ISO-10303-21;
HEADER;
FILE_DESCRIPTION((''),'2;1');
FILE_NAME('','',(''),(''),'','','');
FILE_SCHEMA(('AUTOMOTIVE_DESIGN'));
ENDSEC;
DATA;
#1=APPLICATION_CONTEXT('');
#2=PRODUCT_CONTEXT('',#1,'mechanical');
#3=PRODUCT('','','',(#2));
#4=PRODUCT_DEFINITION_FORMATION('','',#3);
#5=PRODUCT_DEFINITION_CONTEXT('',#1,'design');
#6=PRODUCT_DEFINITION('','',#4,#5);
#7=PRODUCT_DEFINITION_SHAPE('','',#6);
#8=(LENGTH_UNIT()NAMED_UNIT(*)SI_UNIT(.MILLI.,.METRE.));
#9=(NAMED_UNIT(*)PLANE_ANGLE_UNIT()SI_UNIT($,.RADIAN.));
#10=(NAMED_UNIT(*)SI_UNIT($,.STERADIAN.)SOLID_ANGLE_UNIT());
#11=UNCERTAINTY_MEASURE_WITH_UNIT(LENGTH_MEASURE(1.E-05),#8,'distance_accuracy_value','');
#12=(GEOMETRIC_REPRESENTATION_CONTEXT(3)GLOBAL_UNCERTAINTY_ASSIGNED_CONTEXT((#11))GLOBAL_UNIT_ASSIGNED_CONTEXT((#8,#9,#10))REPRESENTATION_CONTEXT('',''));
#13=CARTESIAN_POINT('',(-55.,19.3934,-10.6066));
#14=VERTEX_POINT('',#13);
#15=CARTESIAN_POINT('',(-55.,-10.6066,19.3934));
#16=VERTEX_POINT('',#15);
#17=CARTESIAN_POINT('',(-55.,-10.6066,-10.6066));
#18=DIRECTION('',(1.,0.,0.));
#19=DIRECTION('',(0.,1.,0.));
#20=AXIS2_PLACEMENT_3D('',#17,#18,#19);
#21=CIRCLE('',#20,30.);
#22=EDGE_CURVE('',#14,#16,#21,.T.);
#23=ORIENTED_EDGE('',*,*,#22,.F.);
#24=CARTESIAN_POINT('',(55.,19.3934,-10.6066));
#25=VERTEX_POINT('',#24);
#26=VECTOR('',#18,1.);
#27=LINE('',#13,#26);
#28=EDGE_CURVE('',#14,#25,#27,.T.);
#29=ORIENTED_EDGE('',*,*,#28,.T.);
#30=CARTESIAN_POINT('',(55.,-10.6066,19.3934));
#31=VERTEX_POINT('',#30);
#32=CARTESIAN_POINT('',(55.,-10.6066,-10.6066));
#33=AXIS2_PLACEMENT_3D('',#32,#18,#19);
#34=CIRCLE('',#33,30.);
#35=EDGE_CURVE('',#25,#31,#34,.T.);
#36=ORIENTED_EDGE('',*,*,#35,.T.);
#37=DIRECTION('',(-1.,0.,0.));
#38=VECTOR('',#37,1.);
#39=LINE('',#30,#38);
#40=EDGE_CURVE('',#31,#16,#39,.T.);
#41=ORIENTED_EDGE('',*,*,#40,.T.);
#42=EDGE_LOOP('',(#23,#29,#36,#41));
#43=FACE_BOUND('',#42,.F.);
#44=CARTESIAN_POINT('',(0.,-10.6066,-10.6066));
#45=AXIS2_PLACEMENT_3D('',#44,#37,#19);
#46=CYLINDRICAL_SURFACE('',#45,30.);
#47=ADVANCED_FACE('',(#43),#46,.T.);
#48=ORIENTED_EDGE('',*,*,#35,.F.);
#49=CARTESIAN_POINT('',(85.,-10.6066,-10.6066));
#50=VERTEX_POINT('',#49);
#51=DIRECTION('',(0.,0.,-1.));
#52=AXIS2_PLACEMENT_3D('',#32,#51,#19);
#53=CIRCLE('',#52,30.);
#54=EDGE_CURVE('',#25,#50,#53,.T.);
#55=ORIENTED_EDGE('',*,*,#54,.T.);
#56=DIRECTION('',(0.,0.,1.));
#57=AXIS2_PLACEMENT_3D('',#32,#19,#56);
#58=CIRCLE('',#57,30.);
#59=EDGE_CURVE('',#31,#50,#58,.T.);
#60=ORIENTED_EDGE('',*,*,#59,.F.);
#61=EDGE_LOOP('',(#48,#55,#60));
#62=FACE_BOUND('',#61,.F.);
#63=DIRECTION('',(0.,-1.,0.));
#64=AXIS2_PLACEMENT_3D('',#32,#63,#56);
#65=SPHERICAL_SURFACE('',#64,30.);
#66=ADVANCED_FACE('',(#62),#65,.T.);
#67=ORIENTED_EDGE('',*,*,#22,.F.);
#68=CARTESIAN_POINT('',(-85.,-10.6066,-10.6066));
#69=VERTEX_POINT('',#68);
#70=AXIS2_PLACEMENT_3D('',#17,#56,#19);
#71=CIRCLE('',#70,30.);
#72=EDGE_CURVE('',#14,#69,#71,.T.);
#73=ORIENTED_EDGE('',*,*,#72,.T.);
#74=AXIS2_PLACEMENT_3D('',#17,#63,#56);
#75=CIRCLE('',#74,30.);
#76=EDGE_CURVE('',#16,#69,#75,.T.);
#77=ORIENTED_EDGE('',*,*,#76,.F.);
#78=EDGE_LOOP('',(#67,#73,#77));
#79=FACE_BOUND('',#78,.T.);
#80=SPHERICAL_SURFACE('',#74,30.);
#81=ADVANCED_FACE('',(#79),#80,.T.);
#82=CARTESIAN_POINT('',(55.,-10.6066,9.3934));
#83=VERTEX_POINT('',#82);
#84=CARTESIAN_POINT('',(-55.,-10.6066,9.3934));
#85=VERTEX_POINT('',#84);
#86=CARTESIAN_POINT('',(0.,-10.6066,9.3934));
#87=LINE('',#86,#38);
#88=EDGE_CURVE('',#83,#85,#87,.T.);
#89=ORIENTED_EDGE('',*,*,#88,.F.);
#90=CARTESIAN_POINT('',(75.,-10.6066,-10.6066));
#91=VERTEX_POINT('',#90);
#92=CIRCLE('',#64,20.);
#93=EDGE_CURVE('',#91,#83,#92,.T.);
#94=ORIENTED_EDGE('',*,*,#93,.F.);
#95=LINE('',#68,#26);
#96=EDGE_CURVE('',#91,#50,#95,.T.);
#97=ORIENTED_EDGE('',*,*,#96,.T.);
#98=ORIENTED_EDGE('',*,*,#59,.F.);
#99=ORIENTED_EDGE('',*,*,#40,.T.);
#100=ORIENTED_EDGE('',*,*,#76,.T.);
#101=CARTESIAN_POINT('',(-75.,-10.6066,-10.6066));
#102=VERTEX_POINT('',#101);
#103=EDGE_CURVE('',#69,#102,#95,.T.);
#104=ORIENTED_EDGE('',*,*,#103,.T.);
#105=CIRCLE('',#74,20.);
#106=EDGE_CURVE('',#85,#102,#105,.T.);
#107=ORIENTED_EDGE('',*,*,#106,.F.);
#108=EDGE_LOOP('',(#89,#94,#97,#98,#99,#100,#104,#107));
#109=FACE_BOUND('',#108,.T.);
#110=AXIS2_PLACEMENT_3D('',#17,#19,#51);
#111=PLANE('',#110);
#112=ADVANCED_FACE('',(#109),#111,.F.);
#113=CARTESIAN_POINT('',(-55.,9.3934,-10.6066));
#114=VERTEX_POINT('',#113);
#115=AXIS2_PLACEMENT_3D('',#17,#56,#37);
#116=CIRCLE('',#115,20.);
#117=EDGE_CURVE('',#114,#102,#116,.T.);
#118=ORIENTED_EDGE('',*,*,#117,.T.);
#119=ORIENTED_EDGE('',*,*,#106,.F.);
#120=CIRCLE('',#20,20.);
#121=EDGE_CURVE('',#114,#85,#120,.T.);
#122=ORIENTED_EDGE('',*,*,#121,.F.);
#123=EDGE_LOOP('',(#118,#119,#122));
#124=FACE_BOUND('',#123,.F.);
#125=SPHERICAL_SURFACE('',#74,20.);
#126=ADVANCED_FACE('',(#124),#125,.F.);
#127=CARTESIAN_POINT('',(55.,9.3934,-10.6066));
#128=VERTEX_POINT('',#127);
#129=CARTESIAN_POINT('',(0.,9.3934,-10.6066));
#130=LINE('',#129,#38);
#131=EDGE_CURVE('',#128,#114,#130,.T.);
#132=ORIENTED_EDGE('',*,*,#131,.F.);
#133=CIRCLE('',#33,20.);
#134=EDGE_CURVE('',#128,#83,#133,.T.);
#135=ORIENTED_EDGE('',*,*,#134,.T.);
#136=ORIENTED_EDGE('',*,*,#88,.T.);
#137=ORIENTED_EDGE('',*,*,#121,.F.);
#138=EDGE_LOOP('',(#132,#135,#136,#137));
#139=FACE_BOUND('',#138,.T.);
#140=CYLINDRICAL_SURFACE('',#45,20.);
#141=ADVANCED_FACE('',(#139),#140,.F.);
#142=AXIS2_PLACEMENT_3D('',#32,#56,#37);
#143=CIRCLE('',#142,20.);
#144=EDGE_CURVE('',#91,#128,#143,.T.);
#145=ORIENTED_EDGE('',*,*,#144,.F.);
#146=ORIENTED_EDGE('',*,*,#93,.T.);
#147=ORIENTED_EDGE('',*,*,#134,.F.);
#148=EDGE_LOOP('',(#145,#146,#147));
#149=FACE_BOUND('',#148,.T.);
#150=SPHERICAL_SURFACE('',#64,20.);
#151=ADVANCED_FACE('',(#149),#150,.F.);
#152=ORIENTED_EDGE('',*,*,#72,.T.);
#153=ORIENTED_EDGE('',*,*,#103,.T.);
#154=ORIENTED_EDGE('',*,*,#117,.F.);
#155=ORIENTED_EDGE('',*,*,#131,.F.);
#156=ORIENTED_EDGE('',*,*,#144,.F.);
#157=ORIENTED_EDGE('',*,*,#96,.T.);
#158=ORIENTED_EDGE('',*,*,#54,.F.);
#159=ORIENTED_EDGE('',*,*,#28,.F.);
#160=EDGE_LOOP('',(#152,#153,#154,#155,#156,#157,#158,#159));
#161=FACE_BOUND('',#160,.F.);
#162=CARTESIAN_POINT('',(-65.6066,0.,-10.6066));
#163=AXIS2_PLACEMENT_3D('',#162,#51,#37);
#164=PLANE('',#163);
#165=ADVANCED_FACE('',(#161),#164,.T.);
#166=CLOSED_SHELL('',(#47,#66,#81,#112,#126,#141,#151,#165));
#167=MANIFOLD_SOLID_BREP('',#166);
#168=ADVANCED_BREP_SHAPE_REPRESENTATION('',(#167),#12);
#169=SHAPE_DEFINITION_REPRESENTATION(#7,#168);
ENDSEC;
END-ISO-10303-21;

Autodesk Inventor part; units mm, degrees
sketch "Эскиз3" plane through (0, 0, 0) normal (1, 0, 0) x (0, 1, 0)
  line L0 (-10.6066, -10.6066) -> (-10.6066, 19.3934)
  line L1 (-10.6066, -10.6066) -> (19.3934, -10.6066)
  arc A0 (19.3934, -10.6066) -> (-10.6066, 19.3934) centre (-10.6066, -10.6066) ccw
  line L2 (-10.6066, -10.6066) -> (10.6066, 10.6066) construction
  point P0 (0, 0)
  point P1 (0, 0)
  dimension "d9" = 30
extrude "Выдавливание3" add sketch "Эскиз3" along normal mid plane 110
sketch "Эскиз4" plane through (55, 0, 0) normal (1, 0, 0) x (0, 0, -1)
  line L0 (-19.3934, -10.6066) -> (10.6066, -10.6066) projected
  line L1 (10.6066, -10.6066) -> (10.6066, 19.3934) projected
  arc A0 (10.6066, 19.3934) -> (-19.3934, -10.6066) centre (10.6066, -10.6066) ccw projected
  point P0 (0, 0)
revolve "Вращение1" add sketch "Эскиз4" angle 90 about axis through (55, -10.6066, -10.6066) along (0, 1, 0)
mirror "Зеркальное отражение1" about plane through (0, 0, 0) normal (1, 0, 0) of "Вращение1"
shell "Оболочка2" thickness 10 removed faces 2 at (18.3333, -10.6066, -0.6066) at (18.3333, -0.6066, -10.6066)
properties part number "Козырёк_для_камеры"
